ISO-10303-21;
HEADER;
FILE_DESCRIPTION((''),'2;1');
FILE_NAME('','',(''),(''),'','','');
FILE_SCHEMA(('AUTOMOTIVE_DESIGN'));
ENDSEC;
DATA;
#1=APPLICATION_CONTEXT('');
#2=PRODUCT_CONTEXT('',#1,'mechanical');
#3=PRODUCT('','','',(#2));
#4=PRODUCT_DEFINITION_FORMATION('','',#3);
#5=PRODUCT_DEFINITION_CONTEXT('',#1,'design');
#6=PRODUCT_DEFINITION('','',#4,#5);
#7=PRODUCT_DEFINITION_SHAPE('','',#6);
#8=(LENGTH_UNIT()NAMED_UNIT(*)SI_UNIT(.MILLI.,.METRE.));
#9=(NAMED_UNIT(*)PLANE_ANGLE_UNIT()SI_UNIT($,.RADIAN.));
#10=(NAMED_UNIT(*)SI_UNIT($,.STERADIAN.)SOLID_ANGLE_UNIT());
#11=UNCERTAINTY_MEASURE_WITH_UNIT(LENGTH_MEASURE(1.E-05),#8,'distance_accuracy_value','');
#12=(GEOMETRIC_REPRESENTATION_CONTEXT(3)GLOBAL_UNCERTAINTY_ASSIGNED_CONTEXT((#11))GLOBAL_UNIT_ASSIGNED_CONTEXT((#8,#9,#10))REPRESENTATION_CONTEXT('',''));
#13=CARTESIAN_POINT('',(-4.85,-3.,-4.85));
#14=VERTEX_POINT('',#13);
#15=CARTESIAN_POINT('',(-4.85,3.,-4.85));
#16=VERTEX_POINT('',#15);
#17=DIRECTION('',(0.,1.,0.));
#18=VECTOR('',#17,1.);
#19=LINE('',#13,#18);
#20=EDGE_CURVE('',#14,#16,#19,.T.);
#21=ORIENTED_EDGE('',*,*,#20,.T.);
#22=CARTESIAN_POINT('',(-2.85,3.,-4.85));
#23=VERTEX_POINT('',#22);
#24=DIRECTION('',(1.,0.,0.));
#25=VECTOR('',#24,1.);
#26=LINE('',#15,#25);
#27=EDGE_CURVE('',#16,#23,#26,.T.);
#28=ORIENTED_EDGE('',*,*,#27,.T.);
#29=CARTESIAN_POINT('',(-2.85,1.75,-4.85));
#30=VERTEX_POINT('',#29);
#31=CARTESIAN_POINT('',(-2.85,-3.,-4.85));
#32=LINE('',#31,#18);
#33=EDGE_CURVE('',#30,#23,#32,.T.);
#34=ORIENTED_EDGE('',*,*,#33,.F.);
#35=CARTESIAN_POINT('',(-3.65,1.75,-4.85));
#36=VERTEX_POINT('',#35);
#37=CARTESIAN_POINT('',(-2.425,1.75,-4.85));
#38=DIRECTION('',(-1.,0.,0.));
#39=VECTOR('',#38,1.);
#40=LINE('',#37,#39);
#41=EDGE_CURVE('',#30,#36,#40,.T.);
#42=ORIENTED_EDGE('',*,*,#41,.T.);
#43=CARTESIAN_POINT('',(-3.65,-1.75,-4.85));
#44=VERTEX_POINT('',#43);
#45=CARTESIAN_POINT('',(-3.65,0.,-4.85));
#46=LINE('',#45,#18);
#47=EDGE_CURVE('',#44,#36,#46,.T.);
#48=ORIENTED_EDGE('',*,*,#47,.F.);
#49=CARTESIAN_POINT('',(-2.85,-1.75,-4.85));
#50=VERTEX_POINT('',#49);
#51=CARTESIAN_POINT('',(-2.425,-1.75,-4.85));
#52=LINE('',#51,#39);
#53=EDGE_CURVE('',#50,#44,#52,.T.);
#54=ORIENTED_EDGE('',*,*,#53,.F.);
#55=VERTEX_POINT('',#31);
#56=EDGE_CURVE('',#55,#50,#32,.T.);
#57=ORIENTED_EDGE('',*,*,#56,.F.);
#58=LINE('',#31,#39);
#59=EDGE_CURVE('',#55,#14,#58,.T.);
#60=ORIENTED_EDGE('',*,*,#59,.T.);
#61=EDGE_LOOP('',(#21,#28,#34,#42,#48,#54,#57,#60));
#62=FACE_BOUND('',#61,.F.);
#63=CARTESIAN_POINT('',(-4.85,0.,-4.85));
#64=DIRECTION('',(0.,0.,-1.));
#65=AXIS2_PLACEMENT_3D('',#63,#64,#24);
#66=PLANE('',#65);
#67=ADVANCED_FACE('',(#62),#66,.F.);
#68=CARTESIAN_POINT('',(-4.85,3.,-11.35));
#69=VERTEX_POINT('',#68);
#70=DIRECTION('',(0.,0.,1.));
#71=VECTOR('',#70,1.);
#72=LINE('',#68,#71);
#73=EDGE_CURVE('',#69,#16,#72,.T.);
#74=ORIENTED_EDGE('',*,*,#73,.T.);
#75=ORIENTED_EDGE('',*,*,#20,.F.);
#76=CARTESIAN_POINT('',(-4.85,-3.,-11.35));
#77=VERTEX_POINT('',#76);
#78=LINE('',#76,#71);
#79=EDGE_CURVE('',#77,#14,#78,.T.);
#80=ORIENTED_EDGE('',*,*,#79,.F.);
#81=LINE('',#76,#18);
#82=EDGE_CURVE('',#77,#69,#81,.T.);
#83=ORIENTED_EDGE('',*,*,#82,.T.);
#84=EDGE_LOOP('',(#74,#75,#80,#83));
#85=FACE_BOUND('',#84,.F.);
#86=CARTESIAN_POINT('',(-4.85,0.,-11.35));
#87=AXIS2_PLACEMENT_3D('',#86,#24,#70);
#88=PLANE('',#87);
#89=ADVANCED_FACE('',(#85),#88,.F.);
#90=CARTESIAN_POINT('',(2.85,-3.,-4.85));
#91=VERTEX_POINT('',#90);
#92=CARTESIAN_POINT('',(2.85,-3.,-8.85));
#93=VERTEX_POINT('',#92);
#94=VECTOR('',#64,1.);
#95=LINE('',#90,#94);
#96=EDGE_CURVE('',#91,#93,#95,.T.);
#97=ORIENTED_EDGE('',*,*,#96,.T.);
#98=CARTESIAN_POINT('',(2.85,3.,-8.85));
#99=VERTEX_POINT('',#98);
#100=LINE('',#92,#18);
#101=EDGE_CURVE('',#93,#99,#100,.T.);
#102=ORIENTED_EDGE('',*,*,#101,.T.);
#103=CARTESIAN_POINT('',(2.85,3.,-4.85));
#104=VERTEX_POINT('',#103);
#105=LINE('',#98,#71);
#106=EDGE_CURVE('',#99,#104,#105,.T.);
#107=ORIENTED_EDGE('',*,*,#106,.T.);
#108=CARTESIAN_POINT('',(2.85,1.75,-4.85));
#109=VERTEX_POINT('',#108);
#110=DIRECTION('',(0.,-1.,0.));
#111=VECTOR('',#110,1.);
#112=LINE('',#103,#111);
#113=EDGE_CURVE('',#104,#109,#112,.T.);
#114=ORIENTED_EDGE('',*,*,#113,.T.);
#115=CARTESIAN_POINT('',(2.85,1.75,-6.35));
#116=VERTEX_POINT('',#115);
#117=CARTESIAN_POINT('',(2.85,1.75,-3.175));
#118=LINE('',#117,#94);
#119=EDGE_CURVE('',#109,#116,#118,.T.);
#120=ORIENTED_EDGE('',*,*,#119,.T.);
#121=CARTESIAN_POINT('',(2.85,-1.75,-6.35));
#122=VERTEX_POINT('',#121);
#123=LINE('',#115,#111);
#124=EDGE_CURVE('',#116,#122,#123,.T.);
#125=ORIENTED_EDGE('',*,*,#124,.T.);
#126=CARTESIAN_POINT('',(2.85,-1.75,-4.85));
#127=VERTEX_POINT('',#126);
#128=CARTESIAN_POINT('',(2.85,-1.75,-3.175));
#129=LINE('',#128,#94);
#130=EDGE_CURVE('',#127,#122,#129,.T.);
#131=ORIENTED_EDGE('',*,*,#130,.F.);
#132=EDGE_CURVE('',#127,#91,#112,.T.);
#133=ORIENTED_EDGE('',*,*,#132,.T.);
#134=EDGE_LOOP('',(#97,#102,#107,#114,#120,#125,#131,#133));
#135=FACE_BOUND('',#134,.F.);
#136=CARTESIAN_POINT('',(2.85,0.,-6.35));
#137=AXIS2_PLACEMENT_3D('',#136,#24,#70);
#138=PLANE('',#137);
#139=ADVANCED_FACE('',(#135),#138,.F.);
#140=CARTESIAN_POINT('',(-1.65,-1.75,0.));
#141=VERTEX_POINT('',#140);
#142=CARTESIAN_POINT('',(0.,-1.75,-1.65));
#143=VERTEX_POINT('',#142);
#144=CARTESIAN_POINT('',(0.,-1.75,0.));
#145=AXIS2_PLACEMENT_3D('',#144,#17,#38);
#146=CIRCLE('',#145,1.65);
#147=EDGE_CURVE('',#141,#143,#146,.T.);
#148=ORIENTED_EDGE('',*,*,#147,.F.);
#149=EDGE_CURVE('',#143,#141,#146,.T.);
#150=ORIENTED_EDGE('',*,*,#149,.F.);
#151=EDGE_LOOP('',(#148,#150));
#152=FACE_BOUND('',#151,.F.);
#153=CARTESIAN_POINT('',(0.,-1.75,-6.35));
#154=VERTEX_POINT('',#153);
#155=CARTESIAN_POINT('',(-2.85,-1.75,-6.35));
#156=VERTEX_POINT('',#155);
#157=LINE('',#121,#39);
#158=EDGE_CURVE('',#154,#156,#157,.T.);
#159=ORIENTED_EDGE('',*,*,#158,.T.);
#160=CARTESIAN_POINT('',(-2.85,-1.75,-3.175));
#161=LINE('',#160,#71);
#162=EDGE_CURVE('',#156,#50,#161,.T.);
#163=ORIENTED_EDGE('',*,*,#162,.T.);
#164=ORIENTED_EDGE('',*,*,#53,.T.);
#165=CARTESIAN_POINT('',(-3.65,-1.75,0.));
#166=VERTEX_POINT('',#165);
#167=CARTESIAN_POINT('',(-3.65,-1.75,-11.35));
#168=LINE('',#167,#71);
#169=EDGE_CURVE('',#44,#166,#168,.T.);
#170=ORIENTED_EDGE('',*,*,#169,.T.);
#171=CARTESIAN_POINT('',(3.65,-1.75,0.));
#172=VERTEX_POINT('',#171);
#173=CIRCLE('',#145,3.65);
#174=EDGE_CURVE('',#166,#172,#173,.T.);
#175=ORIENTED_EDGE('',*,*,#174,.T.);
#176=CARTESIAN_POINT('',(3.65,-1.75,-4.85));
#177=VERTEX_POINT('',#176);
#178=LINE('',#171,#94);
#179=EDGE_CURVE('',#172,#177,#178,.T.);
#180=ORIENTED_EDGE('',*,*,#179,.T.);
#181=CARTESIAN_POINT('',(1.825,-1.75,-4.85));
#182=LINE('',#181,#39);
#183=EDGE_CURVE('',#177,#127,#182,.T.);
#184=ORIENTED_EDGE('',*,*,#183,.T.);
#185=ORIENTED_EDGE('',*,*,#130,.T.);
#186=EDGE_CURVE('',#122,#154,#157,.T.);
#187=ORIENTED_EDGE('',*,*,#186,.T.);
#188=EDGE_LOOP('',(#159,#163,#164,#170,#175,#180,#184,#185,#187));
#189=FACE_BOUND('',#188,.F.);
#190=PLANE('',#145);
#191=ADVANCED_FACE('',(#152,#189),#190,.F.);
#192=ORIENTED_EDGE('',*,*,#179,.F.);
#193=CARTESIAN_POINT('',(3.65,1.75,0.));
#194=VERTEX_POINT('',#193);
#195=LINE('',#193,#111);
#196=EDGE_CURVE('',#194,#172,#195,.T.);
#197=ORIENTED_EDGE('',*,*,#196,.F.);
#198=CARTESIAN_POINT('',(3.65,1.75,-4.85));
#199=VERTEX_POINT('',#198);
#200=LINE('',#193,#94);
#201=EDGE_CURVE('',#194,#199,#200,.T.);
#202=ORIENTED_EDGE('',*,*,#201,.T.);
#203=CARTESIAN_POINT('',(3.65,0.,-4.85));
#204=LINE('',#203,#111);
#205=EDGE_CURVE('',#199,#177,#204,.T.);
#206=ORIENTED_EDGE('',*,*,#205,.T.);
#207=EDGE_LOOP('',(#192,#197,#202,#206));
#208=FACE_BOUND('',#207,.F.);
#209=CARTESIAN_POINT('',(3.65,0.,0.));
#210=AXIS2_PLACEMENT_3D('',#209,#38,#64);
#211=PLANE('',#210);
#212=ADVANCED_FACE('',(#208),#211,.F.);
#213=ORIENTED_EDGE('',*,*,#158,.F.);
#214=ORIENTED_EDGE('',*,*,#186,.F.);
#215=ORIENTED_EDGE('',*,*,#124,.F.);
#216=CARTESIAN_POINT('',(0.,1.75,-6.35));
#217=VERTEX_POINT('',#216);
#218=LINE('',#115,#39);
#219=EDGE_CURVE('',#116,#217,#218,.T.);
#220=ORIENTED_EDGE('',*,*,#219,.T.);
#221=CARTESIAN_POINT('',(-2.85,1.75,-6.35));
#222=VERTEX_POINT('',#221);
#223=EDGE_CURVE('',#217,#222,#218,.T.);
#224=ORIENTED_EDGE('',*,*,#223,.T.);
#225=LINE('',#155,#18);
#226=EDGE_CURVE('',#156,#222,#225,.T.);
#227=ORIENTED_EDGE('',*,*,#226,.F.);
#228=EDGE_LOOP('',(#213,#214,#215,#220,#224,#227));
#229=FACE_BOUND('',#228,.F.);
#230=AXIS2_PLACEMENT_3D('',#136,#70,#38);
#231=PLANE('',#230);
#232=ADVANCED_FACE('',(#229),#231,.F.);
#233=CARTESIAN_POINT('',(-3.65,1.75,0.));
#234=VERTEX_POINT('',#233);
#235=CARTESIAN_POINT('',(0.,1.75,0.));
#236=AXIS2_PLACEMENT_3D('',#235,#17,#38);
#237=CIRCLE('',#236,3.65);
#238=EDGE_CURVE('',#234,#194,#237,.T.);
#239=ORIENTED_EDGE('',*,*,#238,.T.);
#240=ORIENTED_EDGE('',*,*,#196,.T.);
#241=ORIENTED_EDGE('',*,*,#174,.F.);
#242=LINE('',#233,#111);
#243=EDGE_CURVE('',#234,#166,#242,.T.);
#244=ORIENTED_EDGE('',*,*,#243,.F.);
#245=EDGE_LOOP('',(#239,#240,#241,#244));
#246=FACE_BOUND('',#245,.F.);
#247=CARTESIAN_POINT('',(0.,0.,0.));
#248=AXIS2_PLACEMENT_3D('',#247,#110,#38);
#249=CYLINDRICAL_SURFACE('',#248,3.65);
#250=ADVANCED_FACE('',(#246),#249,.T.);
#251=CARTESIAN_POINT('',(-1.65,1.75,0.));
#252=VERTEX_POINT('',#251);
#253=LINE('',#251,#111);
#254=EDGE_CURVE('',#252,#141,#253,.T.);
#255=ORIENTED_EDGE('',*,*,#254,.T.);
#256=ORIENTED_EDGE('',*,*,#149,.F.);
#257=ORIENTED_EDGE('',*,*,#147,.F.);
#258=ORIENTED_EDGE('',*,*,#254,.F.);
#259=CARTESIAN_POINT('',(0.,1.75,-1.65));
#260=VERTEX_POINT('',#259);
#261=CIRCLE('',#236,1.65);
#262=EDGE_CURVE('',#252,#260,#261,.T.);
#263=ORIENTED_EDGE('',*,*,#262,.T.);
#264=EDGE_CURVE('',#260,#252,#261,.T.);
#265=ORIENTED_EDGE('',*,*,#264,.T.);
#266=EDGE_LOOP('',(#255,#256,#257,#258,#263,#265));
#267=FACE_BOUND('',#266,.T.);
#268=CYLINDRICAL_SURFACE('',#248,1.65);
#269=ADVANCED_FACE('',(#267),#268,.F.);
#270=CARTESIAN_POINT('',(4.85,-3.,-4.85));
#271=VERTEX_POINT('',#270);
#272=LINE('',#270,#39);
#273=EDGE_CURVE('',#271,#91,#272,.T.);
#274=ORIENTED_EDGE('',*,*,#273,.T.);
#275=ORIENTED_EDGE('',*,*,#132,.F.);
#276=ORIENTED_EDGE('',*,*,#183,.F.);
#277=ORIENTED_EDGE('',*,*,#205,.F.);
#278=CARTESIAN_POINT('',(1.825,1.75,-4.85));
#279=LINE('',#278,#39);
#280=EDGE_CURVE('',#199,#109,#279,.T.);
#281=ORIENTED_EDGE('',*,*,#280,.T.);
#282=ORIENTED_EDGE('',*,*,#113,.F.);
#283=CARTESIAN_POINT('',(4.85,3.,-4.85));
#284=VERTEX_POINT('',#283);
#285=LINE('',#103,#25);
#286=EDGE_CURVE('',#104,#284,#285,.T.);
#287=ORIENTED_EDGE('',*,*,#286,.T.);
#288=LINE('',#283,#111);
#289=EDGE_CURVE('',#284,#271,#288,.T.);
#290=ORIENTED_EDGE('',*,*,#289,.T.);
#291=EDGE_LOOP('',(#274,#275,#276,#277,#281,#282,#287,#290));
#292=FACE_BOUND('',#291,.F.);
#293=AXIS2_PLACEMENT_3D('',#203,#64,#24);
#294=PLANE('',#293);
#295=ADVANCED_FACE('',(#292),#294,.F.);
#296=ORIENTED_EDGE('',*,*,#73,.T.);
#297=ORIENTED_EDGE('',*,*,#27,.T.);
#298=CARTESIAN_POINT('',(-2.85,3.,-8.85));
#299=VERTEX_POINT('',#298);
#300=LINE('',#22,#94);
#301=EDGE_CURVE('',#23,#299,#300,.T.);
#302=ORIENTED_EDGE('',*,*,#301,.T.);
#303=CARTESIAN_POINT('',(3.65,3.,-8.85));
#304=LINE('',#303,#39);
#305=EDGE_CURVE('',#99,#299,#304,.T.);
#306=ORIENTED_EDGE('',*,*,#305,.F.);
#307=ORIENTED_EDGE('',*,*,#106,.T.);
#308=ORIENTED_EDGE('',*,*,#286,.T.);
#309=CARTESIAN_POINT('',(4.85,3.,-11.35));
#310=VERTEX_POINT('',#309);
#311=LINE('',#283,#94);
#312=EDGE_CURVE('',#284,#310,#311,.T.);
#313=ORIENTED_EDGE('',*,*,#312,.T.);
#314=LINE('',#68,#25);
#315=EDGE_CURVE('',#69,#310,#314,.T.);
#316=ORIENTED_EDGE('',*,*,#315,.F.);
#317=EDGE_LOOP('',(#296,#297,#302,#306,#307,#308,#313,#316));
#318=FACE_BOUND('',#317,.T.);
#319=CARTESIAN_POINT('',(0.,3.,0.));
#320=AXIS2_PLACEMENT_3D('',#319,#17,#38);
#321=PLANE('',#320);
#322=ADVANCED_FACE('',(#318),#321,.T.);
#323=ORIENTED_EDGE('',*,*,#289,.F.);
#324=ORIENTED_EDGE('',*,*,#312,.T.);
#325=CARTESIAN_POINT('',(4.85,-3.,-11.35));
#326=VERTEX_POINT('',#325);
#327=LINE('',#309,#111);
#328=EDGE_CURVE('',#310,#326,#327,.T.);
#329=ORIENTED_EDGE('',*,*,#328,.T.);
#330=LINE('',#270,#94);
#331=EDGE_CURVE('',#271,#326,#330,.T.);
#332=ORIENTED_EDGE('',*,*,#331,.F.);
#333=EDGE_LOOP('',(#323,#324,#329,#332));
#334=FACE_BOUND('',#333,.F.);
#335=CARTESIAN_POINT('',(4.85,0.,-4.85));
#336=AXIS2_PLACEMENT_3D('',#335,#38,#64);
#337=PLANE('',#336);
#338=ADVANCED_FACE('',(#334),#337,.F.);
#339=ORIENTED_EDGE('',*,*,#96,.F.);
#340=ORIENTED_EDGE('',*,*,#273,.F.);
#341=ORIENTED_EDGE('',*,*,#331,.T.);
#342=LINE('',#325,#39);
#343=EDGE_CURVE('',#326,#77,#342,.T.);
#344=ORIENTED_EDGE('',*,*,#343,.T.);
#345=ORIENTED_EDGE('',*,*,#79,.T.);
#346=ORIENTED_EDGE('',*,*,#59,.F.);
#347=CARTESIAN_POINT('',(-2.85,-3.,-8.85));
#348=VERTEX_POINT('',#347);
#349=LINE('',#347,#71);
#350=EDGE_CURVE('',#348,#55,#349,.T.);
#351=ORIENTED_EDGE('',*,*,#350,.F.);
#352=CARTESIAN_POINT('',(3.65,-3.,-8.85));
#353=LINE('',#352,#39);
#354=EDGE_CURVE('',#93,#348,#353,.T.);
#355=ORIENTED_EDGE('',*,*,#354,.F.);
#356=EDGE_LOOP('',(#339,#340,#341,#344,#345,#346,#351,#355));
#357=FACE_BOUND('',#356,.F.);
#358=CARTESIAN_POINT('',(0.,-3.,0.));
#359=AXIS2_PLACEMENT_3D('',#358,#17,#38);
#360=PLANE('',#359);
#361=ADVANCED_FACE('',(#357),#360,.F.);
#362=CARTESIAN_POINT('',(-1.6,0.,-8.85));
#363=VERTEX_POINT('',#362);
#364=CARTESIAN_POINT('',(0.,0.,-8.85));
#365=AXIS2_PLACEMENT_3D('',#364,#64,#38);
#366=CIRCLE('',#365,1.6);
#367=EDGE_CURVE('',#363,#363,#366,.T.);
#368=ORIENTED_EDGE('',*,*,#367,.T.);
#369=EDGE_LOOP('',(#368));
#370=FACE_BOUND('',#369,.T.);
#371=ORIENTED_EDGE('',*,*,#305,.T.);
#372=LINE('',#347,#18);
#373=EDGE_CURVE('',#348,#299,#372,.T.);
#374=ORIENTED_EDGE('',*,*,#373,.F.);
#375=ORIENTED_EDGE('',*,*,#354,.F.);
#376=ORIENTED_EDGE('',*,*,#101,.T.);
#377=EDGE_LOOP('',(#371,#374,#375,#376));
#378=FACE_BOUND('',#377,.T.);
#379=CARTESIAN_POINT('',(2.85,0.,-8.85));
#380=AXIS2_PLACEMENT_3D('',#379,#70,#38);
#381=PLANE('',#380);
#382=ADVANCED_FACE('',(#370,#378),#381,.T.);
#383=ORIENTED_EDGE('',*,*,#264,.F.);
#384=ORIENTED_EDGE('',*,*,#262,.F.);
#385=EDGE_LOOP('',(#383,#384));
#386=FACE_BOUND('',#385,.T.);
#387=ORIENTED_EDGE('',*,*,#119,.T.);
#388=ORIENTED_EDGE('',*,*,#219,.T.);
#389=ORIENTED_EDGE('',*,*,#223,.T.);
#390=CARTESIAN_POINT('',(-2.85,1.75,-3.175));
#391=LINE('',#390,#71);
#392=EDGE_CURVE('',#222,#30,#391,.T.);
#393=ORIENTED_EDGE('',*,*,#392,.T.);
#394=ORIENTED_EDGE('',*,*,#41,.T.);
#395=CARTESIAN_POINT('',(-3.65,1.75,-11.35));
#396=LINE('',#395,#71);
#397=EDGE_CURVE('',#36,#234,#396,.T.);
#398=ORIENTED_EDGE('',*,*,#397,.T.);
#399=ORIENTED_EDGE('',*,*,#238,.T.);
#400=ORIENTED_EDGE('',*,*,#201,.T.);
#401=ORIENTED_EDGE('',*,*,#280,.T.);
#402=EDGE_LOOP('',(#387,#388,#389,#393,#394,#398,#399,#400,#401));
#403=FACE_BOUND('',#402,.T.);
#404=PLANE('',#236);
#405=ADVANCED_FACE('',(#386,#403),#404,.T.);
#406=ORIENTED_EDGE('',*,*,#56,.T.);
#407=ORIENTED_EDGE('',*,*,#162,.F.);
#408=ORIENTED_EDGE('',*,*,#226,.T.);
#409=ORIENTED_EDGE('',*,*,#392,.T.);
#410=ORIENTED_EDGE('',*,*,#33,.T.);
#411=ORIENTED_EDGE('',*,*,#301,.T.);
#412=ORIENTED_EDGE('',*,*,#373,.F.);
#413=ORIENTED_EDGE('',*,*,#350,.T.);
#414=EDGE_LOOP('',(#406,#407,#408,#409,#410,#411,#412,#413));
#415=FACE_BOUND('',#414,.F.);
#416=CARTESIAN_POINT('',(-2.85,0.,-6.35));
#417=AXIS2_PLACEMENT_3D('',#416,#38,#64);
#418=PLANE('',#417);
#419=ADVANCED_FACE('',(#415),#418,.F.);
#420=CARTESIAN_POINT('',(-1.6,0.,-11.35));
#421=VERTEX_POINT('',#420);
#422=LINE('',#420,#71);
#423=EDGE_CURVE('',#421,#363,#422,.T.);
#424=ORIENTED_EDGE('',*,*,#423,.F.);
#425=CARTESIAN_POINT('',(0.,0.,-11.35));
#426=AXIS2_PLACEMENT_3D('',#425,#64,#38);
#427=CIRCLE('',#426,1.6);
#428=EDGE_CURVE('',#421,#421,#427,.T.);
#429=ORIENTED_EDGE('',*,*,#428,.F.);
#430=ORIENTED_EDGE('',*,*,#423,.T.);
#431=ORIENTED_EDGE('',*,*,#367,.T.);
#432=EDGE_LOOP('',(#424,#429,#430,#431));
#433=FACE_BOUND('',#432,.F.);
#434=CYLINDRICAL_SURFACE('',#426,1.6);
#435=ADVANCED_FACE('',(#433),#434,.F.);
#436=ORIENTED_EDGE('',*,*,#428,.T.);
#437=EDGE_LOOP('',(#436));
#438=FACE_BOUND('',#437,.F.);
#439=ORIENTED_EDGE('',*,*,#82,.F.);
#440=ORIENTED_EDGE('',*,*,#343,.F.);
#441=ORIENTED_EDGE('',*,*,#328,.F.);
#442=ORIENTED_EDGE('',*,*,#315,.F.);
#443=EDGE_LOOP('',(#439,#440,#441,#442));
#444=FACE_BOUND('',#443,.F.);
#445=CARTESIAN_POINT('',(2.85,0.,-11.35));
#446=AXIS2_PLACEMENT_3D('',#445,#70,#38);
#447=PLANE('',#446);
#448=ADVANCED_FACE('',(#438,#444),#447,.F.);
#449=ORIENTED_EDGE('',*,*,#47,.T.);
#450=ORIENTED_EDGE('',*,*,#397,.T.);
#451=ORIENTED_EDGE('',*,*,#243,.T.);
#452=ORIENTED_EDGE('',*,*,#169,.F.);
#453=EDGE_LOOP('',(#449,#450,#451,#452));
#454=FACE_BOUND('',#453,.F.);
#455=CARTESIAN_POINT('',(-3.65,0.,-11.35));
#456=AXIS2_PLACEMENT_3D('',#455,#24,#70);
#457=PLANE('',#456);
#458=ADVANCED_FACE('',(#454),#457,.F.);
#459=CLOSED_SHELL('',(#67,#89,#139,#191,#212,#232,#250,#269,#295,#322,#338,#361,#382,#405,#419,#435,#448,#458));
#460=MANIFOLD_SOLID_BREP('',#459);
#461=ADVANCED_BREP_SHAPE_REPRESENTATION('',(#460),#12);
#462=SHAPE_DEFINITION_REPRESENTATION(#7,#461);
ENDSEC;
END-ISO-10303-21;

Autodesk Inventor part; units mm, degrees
ref_plane "YZ Plane" through (0, 0, 0) normal (1, 0, 0) x (0, 1, 0)
ref_plane "XZ Plane" through (0, 0, 0) normal (0, 1, 0) x (-1, 0, 0)
ref_plane "XY Plane" through (0, 0, 0) normal (0, 0, 1) x (1, 0, 0)
sketch "Sketch1" plane through (0, 0, 0) normal (0, 1, 0) x (-1, 0, 0)
  circle A0 centre (0, 0) radius 1.65
  arc A1 (3.65, 0) -> (-3.65, 0) centre (0, 0) ccw
  line L0 (-3.65, 0) -> (-3.65, -11.35)
  line L1 (-3.65, -11.35) -> (3.65, -11.35)
  line L2 (3.65, -11.35) -> (3.65, 0)
  line L3 (0, 0) -> (0, -26.2529)
  line L4 (2.85, -11.35) -> (-2.85, -11.35)
  line L5 (-2.85, -9.35) -> (-2.85, -6.35)
  line L6 (-2.85, -6.35) -> (2.85, -6.35)
  line L7 (2.85, -6.35) -> (2.85, -9.35)
  line L8 (2.85, -9.35) -> (-2.85, -9.35)
  dimension "d0" = 3.3
  dimension "d1" = 2
  dimension "d2" = 15
  dimension "d3" = 5.7
  dimension "d4" = 5
  dimension "d5" = 2
  dimension "d13" = 3.65
  dimension "d14" = 7.3
  dimension "d15" = 0.8
extrude "Extrusion1" add sketch "Sketch1" along normal mid plane 3.5
sketch "Sketch3" plane through (0, 0, 0) normal (0, 1, 0) x (-1, 0, 0)
  line L0 (-2.85, -6.35) -> (2.85, -6.35) construction
  line L1 (2.85, -6.35) -> (2.85, -9.35) construction
  line L2 (2.85, -9.35) -> (-2.85, -9.35) construction
  line L3 (-2.85, -9.35) -> (-2.85, -6.35) construction
  circle A0 centre (0, 0) radius 1.65 construction
  arc A1 (3.65, 0) -> (-3.65, 0) centre (0, 0) ccw construction
  line L4 (-3.65, 0) -> (-3.65, -11.35) projected
  line L5 (-3.65, -11.35) -> (3.65, -11.35) projected
  line L6 (3.65, -11.35) -> (3.65, 0) projected
  line L7 (3.65, -11.35) -> (-3.65, -11.35)
  line L8 (-3.65, -11.35) -> (-3.65, -8.85)
  line L9 (-3.65, -8.85) -> (3.65, -8.85)
  line L10 (3.65, -8.85) -> (3.65, -11.35)
  line L11 (4.85, -4.85) -> (2.85, -4.85)
  line L12 (2.85, -4.85) -> (2.85, -11.35)
  line L13 (2.85, -11.35) -> (4.85, -11.35)
  line L14 (4.85, -11.35) -> (4.85, -4.85)
  line L15 (-2.85, -4.85) -> (-4.85, -4.85)
  line L16 (-4.85, -4.85) -> (-4.85, -11.35)
  line L17 (-4.85, -11.35) -> (-2.85, -11.35)
  line L18 (-2.85, -11.35) -> (-2.85, -4.85)
  line L19 (-2.85, -9.35) -> (-2.85, -6.35) projected
  line L20 (2.85, -6.35) -> (2.85, -9.35) projected
  dimension "d16" = 2
  dimension "d17" = 1.5
extrude "Extrusion2" add sketch "Sketch3" along normal mid plane 6
sketch "Sketch5" plane through (4.85, 3, -11.35) normal (0, 0, -1) x (-1, 0, 0)
  circle A0 centre (4.85, -3) radius 1.6
  dimension "d18" = 3.2
extrude "Extrusion4" cut sketch "Sketch5" against normal up to surface (2.5 mm away)
properties part number "connectiong-rod-star-side"
